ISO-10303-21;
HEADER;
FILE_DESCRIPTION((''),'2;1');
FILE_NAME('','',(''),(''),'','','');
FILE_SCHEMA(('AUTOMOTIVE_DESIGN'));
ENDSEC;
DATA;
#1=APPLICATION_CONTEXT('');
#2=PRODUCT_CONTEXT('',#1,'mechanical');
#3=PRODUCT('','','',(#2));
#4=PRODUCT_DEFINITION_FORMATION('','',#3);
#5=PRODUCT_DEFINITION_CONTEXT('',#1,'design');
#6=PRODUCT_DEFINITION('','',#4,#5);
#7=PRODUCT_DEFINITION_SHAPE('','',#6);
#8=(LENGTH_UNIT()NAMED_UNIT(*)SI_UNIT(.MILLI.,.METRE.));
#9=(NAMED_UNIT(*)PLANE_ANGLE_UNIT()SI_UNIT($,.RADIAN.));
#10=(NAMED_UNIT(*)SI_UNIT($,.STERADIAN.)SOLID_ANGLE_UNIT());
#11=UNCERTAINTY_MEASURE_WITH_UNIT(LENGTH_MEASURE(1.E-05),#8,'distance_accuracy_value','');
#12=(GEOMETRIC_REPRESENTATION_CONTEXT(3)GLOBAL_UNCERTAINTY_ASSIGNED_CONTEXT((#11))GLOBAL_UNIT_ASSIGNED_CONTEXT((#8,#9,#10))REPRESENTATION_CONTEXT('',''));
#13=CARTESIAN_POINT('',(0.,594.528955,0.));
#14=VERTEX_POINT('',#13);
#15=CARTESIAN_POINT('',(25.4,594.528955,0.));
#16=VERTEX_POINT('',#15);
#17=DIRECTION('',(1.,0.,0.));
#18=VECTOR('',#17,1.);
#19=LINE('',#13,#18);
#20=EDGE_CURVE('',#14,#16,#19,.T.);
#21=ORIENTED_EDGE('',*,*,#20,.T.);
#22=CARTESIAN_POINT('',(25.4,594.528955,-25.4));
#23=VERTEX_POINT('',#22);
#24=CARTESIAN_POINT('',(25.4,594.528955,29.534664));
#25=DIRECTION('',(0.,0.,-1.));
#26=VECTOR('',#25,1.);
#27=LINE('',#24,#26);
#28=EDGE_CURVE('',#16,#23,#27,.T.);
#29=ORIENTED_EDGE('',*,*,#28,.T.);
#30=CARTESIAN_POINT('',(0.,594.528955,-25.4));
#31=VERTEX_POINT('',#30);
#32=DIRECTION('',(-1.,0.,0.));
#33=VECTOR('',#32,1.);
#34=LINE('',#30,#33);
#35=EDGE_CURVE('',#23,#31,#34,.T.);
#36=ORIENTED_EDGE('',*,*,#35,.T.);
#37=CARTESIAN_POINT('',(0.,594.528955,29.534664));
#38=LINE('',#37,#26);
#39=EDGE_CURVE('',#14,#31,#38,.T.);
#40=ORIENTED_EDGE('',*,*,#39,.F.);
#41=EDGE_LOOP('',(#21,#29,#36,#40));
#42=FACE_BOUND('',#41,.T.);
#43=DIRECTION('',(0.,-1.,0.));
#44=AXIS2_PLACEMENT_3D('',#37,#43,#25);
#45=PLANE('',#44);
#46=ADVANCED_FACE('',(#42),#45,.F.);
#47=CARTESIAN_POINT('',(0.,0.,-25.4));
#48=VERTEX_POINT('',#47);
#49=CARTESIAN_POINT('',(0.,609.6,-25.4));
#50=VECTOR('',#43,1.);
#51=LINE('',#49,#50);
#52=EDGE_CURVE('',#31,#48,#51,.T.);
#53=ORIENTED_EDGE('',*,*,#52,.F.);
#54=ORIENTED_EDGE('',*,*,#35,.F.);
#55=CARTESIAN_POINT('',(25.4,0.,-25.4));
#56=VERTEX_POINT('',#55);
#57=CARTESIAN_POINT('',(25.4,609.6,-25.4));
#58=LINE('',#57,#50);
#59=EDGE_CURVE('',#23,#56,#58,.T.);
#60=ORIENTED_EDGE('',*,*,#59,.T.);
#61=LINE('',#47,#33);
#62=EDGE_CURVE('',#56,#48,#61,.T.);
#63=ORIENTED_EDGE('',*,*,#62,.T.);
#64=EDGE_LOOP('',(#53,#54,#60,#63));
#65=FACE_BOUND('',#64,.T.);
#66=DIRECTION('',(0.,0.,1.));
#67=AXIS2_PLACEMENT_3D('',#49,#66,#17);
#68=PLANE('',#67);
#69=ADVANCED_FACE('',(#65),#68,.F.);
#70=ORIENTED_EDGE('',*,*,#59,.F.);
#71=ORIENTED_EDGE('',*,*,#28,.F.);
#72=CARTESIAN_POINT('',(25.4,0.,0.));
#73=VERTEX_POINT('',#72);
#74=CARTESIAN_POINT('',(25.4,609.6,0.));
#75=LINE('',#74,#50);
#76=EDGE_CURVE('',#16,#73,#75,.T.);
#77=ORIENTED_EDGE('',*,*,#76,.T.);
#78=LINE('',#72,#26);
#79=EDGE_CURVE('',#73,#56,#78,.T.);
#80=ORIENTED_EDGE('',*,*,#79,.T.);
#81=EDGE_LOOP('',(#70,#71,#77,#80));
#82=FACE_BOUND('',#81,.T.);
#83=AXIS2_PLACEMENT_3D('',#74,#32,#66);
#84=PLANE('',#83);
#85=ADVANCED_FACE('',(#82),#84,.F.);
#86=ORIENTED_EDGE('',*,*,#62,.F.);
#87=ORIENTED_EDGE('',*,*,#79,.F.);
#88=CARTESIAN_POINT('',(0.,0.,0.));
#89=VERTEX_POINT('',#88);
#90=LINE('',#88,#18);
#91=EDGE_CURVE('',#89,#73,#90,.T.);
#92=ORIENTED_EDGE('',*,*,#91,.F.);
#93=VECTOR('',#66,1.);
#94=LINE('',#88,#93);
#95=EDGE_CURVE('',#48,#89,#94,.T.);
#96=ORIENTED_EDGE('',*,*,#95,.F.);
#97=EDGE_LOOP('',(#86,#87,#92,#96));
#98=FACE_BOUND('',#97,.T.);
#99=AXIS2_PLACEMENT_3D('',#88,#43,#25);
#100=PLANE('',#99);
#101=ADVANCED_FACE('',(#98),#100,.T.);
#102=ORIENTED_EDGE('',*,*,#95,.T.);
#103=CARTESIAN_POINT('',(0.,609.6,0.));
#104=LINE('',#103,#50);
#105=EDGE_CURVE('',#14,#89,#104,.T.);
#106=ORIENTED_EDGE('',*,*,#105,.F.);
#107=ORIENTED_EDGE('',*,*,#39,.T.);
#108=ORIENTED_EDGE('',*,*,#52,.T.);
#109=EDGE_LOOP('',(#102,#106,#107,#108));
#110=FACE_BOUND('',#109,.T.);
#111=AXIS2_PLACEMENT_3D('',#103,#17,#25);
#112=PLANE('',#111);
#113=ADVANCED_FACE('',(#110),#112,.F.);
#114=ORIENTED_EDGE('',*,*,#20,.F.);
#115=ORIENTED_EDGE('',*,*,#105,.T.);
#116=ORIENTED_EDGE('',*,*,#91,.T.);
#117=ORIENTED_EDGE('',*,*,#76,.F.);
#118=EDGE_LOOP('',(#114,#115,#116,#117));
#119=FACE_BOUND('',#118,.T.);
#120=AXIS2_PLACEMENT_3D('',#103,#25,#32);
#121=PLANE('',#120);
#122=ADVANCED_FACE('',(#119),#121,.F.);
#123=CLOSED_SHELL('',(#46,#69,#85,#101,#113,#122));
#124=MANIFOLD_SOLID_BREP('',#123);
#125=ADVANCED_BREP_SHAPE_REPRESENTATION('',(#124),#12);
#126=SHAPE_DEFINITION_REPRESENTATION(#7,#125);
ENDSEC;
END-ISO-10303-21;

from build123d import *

# Parameters (mm, degrees)
SKETCH1_W           = 25.4
SKETCH1_H           = 25.4
BOSS_EXTRUDE1_DEPTH = 609.6
SKETCH5_W           = 25.4
SKETCH5_H           = 15.071045032
CUT_EXTRUDE3_DEPTH  = 25.4


with BuildPart() as part:
    # Sketch1 → Boss-Extrude1 (new body)
    with BuildSketch(Plane(origin=(0, 0, 0), x_dir=(1, 0, 0), z_dir=(0, 1, 0))):
        with Locations((12.7, 12.7)):
            Rectangle(SKETCH1_W, SKETCH1_H)
    extrude(amount=BOSS_EXTRUDE1_DEPTH)

    # Sketch5 → Cut-Extrude3 (cut)
    with BuildSketch(Plane(origin=(0, 0, -25.4), x_dir=(-1, 0, 0), z_dir=(0, 0, -1))):
        with Locations((-12.7, 602.064477484)):
            Rectangle(SKETCH5_W, SKETCH5_H)
    extrude(amount=-CUT_EXTRUDE3_DEPTH, mode=Mode.SUBTRACT)


solid = part.part
